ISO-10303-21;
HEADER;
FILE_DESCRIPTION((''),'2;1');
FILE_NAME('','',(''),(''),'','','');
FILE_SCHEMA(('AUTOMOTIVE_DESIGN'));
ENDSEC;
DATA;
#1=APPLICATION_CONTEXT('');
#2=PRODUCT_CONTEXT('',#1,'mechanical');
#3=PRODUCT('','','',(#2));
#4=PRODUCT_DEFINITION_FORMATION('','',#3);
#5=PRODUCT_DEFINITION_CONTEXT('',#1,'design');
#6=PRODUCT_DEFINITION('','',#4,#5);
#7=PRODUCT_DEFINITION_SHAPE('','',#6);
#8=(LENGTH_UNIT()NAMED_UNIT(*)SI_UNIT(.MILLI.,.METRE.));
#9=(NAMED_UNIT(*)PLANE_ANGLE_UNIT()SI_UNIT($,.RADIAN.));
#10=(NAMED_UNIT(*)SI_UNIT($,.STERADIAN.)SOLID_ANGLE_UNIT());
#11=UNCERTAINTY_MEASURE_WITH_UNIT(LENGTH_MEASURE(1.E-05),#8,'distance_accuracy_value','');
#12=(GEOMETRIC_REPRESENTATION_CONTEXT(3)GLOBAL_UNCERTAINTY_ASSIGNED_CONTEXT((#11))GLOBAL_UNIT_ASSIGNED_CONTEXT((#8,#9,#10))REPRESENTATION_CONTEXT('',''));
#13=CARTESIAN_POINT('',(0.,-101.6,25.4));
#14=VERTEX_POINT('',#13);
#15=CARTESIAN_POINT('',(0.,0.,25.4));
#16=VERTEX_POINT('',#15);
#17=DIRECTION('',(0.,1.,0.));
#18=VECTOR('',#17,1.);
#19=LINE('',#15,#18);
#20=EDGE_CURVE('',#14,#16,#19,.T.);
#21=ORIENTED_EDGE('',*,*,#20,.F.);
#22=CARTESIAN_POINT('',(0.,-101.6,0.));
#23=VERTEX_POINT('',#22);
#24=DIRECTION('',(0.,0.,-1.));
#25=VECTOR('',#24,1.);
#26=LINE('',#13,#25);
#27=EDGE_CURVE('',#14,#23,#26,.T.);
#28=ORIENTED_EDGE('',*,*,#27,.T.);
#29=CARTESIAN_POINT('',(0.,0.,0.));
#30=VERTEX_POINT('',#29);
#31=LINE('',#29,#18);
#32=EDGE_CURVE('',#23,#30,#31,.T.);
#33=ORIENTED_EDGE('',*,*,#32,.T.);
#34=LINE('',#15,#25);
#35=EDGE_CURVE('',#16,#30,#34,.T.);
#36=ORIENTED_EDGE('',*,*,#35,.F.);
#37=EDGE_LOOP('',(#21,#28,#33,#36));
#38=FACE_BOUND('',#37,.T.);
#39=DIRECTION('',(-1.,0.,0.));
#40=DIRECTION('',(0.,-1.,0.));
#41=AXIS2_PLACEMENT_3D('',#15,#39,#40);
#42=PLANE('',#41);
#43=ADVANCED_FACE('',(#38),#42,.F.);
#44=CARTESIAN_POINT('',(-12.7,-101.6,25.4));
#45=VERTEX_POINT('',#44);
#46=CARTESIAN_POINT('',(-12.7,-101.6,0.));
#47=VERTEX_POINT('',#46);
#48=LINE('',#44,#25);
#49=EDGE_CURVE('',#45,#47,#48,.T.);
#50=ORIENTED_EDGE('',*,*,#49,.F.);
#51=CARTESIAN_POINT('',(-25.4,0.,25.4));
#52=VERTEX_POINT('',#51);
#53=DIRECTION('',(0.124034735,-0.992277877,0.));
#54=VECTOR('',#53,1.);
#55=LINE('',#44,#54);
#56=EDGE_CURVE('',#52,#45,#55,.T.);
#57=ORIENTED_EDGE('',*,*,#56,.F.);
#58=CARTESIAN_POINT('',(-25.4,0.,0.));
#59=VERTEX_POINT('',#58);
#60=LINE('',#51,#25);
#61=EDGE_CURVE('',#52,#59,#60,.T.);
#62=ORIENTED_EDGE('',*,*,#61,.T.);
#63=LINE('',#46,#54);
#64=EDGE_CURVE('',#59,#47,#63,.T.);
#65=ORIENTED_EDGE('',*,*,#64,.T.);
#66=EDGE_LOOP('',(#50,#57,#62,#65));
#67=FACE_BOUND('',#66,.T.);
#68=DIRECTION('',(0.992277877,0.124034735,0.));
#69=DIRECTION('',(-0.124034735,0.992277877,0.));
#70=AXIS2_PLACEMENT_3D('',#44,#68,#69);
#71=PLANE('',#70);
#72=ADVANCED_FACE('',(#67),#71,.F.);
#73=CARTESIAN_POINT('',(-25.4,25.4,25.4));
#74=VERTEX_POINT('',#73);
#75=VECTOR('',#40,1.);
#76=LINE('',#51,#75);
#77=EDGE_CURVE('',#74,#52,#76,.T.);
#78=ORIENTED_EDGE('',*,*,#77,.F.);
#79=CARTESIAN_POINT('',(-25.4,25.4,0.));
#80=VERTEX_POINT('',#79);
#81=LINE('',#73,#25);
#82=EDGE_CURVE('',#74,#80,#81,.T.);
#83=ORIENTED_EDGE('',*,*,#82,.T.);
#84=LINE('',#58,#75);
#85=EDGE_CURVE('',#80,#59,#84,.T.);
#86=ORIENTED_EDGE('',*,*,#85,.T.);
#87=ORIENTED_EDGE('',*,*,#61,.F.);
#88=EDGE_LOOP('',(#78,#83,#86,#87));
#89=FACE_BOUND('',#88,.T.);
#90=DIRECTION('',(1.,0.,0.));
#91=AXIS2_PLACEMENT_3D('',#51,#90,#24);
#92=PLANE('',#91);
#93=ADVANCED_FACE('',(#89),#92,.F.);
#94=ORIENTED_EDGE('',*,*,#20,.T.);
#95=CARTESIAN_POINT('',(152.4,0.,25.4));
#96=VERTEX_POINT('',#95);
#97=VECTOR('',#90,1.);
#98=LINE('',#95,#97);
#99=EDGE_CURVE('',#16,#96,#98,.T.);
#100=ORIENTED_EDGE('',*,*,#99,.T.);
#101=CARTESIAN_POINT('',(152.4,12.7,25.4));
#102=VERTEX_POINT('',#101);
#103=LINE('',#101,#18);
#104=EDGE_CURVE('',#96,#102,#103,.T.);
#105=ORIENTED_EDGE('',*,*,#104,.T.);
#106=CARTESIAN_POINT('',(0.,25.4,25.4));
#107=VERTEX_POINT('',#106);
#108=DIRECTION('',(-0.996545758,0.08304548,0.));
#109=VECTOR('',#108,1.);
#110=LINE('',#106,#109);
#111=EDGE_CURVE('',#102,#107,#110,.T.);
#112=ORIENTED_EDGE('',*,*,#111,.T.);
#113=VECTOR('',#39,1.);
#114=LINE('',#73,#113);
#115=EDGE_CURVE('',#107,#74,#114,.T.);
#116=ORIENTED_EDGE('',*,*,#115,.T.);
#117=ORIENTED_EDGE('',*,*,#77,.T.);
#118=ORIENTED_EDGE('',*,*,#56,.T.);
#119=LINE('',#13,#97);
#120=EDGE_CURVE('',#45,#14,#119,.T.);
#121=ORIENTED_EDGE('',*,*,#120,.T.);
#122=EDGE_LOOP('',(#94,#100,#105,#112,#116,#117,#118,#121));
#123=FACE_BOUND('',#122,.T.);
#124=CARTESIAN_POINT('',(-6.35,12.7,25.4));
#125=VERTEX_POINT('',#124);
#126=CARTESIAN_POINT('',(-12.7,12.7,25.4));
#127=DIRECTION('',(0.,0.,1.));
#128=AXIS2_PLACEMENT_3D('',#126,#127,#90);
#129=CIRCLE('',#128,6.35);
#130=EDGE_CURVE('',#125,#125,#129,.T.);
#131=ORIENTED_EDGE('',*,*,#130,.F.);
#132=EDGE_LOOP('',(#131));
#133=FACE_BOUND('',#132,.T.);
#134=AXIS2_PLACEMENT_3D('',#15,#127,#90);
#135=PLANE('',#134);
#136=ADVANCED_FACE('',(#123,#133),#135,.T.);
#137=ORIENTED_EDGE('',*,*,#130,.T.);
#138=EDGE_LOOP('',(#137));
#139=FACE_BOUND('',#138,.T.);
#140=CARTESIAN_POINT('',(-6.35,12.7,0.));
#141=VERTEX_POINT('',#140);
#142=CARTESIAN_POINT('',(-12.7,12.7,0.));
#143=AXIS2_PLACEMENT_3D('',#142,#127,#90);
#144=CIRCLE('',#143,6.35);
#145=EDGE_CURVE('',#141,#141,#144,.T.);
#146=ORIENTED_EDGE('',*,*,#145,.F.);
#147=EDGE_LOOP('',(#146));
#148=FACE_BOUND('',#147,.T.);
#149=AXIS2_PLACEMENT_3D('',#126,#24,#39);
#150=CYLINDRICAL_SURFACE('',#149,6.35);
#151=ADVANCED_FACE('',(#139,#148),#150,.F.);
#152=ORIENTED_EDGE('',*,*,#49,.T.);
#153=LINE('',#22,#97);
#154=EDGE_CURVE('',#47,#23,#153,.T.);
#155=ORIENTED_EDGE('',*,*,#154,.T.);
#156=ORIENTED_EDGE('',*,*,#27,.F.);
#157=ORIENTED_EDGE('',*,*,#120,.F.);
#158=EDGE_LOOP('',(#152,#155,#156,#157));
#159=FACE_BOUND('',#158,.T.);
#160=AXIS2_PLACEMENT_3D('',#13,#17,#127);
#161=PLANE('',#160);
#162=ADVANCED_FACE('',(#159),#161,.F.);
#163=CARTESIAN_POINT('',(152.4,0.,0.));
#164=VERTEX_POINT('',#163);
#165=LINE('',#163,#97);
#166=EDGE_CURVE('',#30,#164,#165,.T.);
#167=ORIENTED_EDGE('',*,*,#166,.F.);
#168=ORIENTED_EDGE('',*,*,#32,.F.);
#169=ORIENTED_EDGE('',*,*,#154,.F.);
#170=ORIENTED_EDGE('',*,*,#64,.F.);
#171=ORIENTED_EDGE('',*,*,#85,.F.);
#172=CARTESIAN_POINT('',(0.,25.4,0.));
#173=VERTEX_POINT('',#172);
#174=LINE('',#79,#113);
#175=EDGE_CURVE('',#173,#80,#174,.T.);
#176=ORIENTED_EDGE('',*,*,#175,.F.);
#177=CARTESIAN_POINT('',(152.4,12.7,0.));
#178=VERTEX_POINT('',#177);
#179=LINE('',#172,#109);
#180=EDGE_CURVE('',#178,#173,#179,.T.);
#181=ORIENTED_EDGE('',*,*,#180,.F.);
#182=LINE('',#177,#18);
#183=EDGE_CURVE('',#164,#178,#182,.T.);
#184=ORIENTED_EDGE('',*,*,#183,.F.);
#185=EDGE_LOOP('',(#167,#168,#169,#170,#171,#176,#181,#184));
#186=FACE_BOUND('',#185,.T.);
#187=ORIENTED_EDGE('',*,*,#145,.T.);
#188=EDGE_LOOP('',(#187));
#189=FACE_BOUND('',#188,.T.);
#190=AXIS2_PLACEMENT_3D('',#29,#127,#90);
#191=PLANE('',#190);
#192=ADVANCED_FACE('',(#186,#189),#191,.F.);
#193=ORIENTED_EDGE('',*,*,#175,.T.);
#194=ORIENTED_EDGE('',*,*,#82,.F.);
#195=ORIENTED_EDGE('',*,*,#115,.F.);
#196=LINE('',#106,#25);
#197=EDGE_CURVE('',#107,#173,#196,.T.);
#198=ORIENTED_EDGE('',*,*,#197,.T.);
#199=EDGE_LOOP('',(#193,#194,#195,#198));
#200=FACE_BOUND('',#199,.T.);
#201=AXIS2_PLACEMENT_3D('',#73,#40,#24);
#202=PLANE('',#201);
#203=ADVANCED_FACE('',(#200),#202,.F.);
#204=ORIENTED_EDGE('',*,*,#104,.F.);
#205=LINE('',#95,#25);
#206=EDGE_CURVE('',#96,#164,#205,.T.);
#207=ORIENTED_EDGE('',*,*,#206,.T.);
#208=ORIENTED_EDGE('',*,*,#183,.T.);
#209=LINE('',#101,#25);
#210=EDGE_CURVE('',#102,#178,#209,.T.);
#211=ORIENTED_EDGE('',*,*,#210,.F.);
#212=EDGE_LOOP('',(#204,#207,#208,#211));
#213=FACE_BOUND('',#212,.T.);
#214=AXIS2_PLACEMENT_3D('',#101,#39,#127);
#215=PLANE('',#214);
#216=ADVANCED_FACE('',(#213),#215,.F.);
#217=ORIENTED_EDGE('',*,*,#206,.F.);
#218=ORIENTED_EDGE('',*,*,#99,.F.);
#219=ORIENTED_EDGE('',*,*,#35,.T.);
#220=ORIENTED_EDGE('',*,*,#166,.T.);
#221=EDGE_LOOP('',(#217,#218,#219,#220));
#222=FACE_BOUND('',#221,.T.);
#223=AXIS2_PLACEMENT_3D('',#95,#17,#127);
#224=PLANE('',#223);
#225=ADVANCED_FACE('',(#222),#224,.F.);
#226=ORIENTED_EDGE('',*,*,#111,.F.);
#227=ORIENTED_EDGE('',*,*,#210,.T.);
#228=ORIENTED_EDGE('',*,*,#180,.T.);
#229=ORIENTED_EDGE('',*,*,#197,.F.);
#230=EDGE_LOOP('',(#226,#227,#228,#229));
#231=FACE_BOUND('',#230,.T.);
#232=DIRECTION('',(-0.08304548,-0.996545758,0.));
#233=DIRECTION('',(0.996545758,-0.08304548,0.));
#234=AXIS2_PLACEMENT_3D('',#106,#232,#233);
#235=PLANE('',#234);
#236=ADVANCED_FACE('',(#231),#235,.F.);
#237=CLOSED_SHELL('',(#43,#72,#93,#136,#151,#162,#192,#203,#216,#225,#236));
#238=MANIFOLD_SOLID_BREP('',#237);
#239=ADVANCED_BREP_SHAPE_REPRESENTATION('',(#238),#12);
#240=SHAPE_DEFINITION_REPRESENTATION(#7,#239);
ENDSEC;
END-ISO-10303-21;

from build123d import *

# Parameters (mm, degrees)
SKETCH1_R           = 6.35
BOSS_EXTRUDE1_DEPTH = 25.4


with BuildPart() as part:
    # Sketch1 → Boss-Extrude1 (new body)
    with BuildSketch(Plane.XY):
        Polygon((0, 0), (0, -101.6), (-12.7, -101.6), (-25.4, 0), (-25.4, 25.4), (0, 25.4), (152.4, 12.7), (152.4, 0), align=None)
        with Locations((-12.7, 12.7)):
            Circle(SKETCH1_R, mode=Mode.SUBTRACT)
    extrude(amount=BOSS_EXTRUDE1_DEPTH)


solid = part.part
